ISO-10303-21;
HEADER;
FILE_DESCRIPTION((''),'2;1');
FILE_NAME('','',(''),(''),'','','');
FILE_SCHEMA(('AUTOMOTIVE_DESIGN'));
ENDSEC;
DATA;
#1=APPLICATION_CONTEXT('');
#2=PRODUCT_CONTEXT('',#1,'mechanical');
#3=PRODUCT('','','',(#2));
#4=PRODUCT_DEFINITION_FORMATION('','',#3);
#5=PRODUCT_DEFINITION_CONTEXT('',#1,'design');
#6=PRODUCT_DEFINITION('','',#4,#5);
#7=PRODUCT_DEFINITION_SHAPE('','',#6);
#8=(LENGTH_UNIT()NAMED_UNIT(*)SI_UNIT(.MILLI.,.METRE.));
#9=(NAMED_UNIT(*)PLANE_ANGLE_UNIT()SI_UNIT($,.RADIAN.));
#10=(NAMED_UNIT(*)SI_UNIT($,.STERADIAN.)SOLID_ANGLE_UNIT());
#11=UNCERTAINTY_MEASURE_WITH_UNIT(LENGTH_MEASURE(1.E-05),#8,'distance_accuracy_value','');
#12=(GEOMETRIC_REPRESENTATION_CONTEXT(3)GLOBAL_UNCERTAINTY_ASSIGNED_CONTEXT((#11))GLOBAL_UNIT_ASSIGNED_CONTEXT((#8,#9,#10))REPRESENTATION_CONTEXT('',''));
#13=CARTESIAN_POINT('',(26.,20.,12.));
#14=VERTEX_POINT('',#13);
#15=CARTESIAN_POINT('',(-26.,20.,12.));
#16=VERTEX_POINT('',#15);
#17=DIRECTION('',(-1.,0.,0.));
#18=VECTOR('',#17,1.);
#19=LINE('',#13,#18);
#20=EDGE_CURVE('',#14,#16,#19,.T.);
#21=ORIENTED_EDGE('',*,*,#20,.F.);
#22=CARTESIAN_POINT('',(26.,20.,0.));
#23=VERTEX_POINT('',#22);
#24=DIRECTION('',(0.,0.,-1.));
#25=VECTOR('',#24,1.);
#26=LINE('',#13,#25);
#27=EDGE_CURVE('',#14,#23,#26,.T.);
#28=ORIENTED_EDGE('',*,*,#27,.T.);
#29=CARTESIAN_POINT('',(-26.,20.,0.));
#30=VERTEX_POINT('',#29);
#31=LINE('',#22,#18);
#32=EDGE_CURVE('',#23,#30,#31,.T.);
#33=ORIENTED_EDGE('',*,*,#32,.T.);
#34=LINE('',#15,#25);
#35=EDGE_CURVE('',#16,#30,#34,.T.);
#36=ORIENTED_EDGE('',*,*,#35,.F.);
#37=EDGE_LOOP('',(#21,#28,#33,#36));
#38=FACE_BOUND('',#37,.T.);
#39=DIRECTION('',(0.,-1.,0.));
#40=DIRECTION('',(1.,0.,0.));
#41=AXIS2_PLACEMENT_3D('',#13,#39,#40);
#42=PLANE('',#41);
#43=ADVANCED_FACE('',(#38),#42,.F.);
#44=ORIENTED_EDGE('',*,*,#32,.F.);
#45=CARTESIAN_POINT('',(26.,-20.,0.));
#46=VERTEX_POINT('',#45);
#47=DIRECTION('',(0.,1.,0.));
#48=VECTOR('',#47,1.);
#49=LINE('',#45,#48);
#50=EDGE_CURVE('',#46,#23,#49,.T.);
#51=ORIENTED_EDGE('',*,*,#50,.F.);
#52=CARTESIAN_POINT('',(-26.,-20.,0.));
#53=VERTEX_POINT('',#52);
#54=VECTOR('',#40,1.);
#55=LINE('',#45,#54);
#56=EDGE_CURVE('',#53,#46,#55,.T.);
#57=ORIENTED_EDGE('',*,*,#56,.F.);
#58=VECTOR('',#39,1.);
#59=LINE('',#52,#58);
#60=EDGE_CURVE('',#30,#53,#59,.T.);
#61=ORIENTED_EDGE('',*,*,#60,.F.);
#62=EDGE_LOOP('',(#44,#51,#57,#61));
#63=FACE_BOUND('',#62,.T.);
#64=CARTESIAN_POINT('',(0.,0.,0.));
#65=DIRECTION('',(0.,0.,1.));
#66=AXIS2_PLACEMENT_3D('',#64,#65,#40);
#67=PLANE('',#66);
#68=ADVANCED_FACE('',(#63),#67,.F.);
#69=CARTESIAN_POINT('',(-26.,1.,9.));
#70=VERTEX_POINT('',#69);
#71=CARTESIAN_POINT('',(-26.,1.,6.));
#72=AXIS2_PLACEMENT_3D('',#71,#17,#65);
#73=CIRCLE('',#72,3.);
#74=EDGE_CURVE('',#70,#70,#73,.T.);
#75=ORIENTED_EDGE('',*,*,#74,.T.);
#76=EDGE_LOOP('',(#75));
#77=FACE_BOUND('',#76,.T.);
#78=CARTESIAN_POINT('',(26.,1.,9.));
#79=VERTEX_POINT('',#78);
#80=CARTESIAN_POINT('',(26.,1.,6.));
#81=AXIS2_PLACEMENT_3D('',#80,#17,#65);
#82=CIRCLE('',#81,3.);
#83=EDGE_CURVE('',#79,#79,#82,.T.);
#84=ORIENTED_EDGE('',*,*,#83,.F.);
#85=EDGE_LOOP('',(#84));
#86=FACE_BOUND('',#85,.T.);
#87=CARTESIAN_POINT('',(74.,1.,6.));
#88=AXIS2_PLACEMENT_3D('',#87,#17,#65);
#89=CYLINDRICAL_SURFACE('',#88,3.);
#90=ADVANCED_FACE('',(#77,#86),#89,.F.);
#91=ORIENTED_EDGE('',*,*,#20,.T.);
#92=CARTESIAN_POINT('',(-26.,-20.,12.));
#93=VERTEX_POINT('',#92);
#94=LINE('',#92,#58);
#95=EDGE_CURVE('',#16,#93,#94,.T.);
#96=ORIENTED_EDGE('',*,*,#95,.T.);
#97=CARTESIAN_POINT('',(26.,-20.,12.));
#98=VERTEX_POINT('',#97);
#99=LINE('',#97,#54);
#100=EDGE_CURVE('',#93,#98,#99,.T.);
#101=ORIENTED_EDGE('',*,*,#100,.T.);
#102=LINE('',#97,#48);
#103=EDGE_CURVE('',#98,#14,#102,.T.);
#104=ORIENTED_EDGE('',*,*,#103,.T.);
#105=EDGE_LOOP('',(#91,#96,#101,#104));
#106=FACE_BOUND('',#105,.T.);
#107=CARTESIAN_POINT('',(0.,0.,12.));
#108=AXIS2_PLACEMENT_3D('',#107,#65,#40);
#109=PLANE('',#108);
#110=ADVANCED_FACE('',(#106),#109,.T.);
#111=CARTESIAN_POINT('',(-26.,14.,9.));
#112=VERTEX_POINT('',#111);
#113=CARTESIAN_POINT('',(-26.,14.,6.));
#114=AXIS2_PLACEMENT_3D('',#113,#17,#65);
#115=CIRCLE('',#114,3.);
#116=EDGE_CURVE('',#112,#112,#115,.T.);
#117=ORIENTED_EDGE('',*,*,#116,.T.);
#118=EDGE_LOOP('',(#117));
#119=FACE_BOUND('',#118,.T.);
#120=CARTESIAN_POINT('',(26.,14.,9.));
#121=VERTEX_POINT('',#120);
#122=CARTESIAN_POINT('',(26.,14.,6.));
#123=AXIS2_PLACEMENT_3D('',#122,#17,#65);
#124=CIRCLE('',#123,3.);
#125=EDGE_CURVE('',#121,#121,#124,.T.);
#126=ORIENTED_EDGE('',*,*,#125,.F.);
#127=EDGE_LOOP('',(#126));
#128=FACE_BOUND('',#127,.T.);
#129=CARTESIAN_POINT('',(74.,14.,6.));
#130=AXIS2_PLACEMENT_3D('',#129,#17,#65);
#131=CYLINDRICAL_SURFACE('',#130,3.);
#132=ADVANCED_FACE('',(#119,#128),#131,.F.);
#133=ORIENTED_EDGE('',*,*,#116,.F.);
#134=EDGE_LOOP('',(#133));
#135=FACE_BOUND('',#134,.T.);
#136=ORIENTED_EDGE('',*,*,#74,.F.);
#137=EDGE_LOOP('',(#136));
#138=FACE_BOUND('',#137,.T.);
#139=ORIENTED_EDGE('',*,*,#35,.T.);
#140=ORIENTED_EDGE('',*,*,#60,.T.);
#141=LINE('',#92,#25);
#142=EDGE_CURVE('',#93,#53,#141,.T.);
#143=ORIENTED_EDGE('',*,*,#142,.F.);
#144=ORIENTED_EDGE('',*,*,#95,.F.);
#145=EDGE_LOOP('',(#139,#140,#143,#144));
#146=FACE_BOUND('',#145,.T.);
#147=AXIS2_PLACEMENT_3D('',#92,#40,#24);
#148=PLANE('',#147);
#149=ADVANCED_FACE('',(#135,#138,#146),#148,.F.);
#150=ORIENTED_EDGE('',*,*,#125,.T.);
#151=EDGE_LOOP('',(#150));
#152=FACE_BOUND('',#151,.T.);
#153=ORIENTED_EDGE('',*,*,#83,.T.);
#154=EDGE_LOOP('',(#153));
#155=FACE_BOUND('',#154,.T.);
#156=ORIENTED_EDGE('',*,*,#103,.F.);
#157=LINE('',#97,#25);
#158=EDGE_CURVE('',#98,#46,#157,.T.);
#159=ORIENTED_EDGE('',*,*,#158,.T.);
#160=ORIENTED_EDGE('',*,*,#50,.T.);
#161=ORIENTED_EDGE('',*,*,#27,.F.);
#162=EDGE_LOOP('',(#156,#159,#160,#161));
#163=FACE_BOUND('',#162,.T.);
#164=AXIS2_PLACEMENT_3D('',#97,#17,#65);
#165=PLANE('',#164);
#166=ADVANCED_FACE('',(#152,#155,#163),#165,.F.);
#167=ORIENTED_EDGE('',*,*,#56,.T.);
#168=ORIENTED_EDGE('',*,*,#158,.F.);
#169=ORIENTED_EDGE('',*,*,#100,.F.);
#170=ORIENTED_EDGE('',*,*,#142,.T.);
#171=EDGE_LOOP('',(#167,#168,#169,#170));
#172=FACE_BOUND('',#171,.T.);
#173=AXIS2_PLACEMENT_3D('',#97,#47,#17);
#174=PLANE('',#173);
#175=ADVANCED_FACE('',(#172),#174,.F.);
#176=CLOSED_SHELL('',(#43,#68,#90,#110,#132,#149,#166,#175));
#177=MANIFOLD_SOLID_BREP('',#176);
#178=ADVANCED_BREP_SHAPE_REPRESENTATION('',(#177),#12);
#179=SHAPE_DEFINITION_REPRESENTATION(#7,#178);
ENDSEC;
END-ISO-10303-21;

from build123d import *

# Parameters (mm, degrees)
SKETCH_1_W          = 52
SKETCH_1_H          = 40
EXTRUDE_1_DEPTH     = 12
SKETCH_2_R          = 3
CUT_EXTRUDE_1_DEPTH = 100


with BuildPart() as part:
    # 草图1 → 凸台-拉伸1 (new body)
    with BuildSketch(Plane.XY):
        Rectangle(SKETCH_1_W, SKETCH_1_H)
    extrude(amount=EXTRUDE_1_DEPTH)

    # 草图2 → 切除-拉伸1 (cut)
    with BuildSketch(Plane.ZY.offset(26)):
        with Locations((6, 14)):
            Circle(SKETCH_2_R)
        with Locations((6, 1)):
            Circle(SKETCH_2_R)
    extrude(amount=-CUT_EXTRUDE_1_DEPTH, mode=Mode.SUBTRACT)


solid = part.part
